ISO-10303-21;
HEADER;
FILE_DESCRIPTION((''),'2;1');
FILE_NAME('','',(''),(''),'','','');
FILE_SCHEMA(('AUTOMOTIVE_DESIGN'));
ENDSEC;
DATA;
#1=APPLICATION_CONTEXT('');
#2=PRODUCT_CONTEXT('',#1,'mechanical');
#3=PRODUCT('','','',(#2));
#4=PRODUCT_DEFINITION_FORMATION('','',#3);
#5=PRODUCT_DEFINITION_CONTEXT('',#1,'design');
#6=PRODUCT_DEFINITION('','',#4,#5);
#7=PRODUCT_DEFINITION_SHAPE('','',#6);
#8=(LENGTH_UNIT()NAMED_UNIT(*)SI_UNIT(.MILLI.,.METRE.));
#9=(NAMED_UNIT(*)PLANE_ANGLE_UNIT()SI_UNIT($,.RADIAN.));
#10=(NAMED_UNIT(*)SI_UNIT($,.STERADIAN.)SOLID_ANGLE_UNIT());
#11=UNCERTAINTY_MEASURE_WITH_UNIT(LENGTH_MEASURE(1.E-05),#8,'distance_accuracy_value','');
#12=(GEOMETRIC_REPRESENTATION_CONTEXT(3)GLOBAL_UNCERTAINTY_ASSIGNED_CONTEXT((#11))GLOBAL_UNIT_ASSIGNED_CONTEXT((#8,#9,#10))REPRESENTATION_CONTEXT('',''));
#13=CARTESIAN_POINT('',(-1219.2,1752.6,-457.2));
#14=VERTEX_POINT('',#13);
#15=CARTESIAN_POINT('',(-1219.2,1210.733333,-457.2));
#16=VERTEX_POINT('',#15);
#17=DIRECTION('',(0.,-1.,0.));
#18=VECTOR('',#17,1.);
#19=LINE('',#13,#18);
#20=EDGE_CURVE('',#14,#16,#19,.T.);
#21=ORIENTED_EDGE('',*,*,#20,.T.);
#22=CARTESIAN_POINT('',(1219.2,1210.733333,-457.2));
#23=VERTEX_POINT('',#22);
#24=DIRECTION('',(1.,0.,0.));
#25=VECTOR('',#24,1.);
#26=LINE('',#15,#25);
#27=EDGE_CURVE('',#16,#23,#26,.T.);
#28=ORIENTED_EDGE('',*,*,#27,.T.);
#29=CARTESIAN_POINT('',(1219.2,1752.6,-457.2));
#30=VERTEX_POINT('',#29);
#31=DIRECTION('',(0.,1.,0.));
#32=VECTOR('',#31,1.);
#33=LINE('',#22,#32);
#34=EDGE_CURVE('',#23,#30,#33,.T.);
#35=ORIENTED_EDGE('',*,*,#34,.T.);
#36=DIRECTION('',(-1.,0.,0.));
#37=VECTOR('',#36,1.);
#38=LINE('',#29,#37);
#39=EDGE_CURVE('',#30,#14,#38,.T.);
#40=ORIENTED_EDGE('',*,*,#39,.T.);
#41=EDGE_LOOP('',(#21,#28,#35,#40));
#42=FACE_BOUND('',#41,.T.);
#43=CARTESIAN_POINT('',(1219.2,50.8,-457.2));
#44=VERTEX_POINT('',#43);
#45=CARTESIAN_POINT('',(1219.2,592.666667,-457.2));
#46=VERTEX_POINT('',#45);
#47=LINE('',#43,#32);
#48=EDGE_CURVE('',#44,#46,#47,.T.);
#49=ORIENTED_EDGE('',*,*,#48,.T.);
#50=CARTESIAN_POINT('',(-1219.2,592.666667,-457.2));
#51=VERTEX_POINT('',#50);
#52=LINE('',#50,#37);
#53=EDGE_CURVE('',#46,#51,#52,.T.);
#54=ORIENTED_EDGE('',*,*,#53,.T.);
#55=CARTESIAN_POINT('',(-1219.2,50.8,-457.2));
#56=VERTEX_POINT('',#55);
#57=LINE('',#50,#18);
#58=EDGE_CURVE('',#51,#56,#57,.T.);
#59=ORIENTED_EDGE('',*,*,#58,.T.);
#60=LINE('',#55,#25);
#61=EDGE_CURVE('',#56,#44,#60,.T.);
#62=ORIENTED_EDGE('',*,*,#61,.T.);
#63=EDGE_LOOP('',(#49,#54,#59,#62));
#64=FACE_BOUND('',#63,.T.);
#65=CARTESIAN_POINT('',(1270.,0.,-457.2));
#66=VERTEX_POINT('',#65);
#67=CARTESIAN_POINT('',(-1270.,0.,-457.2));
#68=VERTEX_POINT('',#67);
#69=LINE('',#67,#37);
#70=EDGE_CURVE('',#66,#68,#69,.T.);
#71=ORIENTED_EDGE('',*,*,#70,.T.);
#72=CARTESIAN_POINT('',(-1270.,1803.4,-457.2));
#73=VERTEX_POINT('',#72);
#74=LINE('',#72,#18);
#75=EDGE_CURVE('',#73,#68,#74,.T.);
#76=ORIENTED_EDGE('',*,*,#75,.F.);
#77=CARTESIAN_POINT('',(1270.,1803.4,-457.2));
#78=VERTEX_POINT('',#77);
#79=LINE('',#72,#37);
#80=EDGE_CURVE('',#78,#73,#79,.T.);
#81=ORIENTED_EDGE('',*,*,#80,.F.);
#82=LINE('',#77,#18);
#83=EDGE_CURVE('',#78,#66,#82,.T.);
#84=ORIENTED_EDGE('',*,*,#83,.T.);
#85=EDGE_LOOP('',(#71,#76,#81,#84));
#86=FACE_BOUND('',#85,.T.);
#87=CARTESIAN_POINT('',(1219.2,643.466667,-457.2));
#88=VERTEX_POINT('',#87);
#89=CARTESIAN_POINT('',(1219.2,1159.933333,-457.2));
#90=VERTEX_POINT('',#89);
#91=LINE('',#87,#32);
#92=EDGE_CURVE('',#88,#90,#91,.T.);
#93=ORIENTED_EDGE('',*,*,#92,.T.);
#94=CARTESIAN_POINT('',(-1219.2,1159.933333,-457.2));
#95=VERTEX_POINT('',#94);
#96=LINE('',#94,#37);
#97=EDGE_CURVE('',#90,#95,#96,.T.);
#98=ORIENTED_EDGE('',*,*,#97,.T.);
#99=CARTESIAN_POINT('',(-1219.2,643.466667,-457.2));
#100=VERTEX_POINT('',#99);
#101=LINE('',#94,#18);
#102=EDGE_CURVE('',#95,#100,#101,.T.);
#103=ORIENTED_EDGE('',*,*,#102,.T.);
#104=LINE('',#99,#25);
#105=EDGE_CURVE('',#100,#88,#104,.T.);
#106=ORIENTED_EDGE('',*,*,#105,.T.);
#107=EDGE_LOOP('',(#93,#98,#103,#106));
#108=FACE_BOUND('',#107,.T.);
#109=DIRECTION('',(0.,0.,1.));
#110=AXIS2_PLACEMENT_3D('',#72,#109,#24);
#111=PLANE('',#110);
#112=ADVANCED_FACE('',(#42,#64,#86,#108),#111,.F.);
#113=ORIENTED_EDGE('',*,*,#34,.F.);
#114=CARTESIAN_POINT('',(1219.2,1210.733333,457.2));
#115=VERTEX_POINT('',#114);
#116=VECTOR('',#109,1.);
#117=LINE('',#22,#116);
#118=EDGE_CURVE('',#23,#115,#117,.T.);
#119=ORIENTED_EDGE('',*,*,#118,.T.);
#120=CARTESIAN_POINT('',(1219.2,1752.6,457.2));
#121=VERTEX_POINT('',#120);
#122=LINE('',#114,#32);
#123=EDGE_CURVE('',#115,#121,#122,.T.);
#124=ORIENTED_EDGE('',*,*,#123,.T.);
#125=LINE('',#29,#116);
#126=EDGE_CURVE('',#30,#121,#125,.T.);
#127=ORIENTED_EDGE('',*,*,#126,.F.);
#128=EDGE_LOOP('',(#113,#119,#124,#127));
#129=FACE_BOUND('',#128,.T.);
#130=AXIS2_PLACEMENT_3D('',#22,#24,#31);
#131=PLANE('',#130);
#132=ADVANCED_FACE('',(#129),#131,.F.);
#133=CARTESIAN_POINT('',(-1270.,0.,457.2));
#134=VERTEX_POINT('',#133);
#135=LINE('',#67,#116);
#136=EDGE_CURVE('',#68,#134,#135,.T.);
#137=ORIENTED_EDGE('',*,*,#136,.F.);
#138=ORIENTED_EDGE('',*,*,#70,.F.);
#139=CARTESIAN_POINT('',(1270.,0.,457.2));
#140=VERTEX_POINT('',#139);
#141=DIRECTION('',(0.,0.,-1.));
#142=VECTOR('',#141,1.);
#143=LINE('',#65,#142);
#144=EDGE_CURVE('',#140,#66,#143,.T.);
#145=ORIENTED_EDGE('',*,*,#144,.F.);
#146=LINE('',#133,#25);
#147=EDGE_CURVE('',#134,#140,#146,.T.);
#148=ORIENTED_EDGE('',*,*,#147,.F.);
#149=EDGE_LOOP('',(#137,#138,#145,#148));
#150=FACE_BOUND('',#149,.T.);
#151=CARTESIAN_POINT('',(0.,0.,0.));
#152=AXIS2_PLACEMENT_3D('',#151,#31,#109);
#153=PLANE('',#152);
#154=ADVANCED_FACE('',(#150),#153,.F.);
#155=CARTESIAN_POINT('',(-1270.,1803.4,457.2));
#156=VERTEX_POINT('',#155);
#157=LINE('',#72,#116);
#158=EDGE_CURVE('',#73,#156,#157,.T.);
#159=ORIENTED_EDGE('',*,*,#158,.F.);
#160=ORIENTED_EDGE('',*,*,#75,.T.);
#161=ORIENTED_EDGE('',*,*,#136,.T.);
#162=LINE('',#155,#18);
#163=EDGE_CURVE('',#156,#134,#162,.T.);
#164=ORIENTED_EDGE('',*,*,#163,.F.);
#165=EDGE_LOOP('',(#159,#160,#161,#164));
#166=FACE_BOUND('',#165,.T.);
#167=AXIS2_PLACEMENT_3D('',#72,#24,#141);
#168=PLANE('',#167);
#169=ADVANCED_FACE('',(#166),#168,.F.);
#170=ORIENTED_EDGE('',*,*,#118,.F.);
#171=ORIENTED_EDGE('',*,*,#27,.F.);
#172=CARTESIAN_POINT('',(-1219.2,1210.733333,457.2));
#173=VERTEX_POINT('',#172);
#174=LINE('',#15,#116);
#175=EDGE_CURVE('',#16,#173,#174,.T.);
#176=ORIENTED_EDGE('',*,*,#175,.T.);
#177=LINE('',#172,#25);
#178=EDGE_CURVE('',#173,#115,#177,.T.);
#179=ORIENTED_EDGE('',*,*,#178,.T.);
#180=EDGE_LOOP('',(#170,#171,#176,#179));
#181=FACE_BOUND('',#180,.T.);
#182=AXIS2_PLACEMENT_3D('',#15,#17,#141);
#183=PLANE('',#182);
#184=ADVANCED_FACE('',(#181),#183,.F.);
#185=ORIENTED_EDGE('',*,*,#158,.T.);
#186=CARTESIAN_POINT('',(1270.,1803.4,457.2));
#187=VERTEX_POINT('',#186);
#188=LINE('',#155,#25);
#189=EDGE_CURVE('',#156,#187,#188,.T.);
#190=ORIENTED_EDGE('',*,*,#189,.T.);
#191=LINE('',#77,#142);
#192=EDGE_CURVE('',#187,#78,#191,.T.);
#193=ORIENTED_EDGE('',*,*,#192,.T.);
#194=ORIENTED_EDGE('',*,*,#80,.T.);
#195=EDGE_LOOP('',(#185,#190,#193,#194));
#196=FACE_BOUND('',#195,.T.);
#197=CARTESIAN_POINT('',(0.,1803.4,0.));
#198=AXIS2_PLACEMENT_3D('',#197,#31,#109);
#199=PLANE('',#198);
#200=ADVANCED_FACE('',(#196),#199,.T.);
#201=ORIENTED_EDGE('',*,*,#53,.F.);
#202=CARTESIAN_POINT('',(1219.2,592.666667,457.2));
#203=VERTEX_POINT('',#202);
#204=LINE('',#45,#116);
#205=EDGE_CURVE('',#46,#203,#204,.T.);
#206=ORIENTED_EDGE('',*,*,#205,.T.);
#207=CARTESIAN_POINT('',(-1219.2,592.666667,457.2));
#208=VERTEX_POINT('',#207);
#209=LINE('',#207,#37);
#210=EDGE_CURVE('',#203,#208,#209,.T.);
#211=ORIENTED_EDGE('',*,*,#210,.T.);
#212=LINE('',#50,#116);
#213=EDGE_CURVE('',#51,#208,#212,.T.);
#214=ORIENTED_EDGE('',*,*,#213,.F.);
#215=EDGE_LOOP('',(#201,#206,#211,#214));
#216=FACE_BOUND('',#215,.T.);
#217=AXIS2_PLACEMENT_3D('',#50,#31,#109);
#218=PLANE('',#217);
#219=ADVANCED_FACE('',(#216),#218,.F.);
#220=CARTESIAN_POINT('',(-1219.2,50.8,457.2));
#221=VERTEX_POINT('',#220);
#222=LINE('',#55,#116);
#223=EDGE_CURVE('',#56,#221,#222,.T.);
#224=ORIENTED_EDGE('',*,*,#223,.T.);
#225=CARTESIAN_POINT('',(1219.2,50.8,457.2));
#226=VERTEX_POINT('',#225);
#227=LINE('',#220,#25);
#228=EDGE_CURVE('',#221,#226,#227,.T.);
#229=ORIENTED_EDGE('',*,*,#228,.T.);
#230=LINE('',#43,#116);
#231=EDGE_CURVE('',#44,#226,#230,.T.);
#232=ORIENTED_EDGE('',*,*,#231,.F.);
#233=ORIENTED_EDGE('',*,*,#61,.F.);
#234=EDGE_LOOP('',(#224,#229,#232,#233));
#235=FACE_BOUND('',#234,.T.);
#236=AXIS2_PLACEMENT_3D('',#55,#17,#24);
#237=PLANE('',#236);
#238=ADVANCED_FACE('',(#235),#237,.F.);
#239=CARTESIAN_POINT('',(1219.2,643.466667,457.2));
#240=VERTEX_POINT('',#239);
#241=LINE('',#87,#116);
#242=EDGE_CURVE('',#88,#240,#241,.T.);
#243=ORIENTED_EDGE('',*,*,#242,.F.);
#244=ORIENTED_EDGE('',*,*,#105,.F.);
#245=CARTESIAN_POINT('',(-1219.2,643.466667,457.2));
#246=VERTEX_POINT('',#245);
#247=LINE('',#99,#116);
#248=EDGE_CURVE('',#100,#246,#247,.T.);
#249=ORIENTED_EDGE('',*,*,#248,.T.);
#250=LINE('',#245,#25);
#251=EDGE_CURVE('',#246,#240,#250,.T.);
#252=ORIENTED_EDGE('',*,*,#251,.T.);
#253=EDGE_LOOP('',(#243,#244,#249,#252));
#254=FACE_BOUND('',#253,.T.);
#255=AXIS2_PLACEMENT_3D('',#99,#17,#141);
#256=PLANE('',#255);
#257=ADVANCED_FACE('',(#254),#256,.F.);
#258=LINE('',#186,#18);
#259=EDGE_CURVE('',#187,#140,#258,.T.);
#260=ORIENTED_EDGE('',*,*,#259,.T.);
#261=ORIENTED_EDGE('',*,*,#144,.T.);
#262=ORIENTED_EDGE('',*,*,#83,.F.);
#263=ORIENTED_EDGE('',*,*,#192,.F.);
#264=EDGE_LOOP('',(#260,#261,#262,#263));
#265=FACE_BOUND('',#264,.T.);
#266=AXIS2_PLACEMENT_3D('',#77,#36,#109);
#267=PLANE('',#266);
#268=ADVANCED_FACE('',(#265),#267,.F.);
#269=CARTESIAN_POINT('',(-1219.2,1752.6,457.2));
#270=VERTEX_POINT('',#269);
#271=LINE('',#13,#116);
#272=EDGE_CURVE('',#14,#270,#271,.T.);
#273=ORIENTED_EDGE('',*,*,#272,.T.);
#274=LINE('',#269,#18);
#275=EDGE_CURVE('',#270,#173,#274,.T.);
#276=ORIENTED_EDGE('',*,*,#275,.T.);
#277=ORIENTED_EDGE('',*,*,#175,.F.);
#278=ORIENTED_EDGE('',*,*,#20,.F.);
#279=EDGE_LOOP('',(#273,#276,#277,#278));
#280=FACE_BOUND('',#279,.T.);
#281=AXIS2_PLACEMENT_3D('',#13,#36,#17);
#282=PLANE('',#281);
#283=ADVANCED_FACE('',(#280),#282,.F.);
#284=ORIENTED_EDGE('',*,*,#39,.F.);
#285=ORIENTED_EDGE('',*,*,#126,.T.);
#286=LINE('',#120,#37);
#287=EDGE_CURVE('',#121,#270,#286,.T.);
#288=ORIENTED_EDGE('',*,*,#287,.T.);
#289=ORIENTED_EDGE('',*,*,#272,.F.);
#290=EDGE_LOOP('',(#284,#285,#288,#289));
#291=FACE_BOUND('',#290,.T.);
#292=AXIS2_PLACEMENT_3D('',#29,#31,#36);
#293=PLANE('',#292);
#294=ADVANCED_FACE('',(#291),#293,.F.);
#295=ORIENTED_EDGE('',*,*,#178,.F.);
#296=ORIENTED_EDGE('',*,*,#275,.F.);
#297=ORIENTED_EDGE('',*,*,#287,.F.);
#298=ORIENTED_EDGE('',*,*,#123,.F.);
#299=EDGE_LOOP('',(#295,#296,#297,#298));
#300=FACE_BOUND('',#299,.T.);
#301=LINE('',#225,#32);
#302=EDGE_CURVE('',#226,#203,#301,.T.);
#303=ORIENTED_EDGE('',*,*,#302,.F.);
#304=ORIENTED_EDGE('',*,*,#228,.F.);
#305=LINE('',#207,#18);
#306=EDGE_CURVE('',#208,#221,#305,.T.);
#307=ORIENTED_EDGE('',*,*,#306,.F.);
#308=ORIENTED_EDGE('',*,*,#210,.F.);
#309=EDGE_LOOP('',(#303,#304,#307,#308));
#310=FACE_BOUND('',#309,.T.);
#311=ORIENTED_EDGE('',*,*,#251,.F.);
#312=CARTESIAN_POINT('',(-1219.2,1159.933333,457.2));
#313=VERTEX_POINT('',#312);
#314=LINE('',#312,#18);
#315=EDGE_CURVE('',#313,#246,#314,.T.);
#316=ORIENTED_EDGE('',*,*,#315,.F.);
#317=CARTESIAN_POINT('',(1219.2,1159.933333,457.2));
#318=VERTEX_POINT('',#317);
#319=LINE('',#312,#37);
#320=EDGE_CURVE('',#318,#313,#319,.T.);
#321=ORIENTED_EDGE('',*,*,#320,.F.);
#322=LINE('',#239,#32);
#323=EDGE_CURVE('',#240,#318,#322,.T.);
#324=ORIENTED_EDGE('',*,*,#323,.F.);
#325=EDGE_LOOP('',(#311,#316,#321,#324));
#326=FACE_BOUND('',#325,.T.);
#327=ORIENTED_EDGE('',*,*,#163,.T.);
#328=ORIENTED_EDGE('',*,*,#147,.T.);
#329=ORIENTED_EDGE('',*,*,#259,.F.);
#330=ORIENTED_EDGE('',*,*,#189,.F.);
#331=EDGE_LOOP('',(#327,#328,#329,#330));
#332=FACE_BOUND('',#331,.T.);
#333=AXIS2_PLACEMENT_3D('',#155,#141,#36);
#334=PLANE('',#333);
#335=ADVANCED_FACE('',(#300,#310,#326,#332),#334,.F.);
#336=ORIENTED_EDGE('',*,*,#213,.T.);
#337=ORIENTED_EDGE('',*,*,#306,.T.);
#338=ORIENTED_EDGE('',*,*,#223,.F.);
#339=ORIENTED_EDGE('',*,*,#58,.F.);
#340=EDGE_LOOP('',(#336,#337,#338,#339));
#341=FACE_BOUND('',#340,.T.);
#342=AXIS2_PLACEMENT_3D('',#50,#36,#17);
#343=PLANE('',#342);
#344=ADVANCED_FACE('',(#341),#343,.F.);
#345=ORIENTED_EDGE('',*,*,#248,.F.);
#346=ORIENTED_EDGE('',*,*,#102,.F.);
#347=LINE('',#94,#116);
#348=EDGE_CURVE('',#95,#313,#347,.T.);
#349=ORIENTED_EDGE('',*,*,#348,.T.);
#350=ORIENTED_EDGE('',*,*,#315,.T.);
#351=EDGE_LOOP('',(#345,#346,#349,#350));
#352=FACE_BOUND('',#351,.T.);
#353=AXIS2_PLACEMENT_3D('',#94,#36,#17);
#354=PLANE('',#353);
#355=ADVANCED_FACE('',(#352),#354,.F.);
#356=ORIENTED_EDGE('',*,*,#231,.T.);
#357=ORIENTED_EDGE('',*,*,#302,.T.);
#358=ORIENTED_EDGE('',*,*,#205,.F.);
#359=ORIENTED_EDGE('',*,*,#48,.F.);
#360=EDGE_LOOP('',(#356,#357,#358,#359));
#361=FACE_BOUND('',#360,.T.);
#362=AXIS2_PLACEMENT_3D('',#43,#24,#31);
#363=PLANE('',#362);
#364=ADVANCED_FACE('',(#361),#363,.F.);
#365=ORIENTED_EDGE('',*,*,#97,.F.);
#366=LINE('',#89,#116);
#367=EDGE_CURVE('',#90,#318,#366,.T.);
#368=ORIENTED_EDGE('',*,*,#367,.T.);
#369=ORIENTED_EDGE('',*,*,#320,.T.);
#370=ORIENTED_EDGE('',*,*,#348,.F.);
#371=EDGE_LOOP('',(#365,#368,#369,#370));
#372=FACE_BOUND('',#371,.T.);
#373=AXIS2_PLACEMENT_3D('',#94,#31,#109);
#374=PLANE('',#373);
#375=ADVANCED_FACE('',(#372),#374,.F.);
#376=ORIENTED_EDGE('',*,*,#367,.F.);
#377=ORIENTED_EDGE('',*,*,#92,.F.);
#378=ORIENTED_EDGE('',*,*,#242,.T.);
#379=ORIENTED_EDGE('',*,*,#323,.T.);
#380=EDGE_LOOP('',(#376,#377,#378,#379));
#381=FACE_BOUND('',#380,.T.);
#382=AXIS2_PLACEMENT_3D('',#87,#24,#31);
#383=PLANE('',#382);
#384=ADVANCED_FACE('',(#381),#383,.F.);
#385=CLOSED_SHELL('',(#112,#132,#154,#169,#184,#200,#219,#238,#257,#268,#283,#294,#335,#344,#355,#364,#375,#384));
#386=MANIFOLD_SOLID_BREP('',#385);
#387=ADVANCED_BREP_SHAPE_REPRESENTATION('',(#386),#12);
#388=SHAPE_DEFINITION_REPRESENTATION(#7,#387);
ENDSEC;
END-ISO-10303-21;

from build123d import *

# Parameters (mm, degrees)
SKETCH1_W           = 2540
SKETCH1_H           = 914.4
BOSS_EXTRUDE1_DEPTH = 1803.4
SKETCH2_W           = 2438.4
SKETCH2_H           = 541.866666667
SKETCH2_H_2         = 516.466666666
CUT_EXTRUDE1_DEPTH  = 2388.735102561


with BuildPart() as part:
    # Sketch1 → Boss-Extrude1 (new body)
    with BuildSketch(Plane(origin=(0, 0, 0), x_dir=(1, 0, 0), z_dir=(0, 1, 0))):
        Rectangle(SKETCH1_W, SKETCH1_H)
    extrude(amount=BOSS_EXTRUDE1_DEPTH)

    # Sketch2 → Cut-Extrude1 (cut, through all)
    with BuildSketch(Plane.XY.offset(457.2)):
        with Locations((0, 321.733333334)):
            Rectangle(SKETCH2_W, SKETCH2_H)
        with Locations((0, 1481.666666667)):
            Rectangle(SKETCH2_W, SKETCH2_H)
        with Locations((0, 901.7)):
            Rectangle(SKETCH2_W, SKETCH2_H_2)
    extrude(amount=-CUT_EXTRUDE1_DEPTH, mode=Mode.SUBTRACT)


solid = part.part
